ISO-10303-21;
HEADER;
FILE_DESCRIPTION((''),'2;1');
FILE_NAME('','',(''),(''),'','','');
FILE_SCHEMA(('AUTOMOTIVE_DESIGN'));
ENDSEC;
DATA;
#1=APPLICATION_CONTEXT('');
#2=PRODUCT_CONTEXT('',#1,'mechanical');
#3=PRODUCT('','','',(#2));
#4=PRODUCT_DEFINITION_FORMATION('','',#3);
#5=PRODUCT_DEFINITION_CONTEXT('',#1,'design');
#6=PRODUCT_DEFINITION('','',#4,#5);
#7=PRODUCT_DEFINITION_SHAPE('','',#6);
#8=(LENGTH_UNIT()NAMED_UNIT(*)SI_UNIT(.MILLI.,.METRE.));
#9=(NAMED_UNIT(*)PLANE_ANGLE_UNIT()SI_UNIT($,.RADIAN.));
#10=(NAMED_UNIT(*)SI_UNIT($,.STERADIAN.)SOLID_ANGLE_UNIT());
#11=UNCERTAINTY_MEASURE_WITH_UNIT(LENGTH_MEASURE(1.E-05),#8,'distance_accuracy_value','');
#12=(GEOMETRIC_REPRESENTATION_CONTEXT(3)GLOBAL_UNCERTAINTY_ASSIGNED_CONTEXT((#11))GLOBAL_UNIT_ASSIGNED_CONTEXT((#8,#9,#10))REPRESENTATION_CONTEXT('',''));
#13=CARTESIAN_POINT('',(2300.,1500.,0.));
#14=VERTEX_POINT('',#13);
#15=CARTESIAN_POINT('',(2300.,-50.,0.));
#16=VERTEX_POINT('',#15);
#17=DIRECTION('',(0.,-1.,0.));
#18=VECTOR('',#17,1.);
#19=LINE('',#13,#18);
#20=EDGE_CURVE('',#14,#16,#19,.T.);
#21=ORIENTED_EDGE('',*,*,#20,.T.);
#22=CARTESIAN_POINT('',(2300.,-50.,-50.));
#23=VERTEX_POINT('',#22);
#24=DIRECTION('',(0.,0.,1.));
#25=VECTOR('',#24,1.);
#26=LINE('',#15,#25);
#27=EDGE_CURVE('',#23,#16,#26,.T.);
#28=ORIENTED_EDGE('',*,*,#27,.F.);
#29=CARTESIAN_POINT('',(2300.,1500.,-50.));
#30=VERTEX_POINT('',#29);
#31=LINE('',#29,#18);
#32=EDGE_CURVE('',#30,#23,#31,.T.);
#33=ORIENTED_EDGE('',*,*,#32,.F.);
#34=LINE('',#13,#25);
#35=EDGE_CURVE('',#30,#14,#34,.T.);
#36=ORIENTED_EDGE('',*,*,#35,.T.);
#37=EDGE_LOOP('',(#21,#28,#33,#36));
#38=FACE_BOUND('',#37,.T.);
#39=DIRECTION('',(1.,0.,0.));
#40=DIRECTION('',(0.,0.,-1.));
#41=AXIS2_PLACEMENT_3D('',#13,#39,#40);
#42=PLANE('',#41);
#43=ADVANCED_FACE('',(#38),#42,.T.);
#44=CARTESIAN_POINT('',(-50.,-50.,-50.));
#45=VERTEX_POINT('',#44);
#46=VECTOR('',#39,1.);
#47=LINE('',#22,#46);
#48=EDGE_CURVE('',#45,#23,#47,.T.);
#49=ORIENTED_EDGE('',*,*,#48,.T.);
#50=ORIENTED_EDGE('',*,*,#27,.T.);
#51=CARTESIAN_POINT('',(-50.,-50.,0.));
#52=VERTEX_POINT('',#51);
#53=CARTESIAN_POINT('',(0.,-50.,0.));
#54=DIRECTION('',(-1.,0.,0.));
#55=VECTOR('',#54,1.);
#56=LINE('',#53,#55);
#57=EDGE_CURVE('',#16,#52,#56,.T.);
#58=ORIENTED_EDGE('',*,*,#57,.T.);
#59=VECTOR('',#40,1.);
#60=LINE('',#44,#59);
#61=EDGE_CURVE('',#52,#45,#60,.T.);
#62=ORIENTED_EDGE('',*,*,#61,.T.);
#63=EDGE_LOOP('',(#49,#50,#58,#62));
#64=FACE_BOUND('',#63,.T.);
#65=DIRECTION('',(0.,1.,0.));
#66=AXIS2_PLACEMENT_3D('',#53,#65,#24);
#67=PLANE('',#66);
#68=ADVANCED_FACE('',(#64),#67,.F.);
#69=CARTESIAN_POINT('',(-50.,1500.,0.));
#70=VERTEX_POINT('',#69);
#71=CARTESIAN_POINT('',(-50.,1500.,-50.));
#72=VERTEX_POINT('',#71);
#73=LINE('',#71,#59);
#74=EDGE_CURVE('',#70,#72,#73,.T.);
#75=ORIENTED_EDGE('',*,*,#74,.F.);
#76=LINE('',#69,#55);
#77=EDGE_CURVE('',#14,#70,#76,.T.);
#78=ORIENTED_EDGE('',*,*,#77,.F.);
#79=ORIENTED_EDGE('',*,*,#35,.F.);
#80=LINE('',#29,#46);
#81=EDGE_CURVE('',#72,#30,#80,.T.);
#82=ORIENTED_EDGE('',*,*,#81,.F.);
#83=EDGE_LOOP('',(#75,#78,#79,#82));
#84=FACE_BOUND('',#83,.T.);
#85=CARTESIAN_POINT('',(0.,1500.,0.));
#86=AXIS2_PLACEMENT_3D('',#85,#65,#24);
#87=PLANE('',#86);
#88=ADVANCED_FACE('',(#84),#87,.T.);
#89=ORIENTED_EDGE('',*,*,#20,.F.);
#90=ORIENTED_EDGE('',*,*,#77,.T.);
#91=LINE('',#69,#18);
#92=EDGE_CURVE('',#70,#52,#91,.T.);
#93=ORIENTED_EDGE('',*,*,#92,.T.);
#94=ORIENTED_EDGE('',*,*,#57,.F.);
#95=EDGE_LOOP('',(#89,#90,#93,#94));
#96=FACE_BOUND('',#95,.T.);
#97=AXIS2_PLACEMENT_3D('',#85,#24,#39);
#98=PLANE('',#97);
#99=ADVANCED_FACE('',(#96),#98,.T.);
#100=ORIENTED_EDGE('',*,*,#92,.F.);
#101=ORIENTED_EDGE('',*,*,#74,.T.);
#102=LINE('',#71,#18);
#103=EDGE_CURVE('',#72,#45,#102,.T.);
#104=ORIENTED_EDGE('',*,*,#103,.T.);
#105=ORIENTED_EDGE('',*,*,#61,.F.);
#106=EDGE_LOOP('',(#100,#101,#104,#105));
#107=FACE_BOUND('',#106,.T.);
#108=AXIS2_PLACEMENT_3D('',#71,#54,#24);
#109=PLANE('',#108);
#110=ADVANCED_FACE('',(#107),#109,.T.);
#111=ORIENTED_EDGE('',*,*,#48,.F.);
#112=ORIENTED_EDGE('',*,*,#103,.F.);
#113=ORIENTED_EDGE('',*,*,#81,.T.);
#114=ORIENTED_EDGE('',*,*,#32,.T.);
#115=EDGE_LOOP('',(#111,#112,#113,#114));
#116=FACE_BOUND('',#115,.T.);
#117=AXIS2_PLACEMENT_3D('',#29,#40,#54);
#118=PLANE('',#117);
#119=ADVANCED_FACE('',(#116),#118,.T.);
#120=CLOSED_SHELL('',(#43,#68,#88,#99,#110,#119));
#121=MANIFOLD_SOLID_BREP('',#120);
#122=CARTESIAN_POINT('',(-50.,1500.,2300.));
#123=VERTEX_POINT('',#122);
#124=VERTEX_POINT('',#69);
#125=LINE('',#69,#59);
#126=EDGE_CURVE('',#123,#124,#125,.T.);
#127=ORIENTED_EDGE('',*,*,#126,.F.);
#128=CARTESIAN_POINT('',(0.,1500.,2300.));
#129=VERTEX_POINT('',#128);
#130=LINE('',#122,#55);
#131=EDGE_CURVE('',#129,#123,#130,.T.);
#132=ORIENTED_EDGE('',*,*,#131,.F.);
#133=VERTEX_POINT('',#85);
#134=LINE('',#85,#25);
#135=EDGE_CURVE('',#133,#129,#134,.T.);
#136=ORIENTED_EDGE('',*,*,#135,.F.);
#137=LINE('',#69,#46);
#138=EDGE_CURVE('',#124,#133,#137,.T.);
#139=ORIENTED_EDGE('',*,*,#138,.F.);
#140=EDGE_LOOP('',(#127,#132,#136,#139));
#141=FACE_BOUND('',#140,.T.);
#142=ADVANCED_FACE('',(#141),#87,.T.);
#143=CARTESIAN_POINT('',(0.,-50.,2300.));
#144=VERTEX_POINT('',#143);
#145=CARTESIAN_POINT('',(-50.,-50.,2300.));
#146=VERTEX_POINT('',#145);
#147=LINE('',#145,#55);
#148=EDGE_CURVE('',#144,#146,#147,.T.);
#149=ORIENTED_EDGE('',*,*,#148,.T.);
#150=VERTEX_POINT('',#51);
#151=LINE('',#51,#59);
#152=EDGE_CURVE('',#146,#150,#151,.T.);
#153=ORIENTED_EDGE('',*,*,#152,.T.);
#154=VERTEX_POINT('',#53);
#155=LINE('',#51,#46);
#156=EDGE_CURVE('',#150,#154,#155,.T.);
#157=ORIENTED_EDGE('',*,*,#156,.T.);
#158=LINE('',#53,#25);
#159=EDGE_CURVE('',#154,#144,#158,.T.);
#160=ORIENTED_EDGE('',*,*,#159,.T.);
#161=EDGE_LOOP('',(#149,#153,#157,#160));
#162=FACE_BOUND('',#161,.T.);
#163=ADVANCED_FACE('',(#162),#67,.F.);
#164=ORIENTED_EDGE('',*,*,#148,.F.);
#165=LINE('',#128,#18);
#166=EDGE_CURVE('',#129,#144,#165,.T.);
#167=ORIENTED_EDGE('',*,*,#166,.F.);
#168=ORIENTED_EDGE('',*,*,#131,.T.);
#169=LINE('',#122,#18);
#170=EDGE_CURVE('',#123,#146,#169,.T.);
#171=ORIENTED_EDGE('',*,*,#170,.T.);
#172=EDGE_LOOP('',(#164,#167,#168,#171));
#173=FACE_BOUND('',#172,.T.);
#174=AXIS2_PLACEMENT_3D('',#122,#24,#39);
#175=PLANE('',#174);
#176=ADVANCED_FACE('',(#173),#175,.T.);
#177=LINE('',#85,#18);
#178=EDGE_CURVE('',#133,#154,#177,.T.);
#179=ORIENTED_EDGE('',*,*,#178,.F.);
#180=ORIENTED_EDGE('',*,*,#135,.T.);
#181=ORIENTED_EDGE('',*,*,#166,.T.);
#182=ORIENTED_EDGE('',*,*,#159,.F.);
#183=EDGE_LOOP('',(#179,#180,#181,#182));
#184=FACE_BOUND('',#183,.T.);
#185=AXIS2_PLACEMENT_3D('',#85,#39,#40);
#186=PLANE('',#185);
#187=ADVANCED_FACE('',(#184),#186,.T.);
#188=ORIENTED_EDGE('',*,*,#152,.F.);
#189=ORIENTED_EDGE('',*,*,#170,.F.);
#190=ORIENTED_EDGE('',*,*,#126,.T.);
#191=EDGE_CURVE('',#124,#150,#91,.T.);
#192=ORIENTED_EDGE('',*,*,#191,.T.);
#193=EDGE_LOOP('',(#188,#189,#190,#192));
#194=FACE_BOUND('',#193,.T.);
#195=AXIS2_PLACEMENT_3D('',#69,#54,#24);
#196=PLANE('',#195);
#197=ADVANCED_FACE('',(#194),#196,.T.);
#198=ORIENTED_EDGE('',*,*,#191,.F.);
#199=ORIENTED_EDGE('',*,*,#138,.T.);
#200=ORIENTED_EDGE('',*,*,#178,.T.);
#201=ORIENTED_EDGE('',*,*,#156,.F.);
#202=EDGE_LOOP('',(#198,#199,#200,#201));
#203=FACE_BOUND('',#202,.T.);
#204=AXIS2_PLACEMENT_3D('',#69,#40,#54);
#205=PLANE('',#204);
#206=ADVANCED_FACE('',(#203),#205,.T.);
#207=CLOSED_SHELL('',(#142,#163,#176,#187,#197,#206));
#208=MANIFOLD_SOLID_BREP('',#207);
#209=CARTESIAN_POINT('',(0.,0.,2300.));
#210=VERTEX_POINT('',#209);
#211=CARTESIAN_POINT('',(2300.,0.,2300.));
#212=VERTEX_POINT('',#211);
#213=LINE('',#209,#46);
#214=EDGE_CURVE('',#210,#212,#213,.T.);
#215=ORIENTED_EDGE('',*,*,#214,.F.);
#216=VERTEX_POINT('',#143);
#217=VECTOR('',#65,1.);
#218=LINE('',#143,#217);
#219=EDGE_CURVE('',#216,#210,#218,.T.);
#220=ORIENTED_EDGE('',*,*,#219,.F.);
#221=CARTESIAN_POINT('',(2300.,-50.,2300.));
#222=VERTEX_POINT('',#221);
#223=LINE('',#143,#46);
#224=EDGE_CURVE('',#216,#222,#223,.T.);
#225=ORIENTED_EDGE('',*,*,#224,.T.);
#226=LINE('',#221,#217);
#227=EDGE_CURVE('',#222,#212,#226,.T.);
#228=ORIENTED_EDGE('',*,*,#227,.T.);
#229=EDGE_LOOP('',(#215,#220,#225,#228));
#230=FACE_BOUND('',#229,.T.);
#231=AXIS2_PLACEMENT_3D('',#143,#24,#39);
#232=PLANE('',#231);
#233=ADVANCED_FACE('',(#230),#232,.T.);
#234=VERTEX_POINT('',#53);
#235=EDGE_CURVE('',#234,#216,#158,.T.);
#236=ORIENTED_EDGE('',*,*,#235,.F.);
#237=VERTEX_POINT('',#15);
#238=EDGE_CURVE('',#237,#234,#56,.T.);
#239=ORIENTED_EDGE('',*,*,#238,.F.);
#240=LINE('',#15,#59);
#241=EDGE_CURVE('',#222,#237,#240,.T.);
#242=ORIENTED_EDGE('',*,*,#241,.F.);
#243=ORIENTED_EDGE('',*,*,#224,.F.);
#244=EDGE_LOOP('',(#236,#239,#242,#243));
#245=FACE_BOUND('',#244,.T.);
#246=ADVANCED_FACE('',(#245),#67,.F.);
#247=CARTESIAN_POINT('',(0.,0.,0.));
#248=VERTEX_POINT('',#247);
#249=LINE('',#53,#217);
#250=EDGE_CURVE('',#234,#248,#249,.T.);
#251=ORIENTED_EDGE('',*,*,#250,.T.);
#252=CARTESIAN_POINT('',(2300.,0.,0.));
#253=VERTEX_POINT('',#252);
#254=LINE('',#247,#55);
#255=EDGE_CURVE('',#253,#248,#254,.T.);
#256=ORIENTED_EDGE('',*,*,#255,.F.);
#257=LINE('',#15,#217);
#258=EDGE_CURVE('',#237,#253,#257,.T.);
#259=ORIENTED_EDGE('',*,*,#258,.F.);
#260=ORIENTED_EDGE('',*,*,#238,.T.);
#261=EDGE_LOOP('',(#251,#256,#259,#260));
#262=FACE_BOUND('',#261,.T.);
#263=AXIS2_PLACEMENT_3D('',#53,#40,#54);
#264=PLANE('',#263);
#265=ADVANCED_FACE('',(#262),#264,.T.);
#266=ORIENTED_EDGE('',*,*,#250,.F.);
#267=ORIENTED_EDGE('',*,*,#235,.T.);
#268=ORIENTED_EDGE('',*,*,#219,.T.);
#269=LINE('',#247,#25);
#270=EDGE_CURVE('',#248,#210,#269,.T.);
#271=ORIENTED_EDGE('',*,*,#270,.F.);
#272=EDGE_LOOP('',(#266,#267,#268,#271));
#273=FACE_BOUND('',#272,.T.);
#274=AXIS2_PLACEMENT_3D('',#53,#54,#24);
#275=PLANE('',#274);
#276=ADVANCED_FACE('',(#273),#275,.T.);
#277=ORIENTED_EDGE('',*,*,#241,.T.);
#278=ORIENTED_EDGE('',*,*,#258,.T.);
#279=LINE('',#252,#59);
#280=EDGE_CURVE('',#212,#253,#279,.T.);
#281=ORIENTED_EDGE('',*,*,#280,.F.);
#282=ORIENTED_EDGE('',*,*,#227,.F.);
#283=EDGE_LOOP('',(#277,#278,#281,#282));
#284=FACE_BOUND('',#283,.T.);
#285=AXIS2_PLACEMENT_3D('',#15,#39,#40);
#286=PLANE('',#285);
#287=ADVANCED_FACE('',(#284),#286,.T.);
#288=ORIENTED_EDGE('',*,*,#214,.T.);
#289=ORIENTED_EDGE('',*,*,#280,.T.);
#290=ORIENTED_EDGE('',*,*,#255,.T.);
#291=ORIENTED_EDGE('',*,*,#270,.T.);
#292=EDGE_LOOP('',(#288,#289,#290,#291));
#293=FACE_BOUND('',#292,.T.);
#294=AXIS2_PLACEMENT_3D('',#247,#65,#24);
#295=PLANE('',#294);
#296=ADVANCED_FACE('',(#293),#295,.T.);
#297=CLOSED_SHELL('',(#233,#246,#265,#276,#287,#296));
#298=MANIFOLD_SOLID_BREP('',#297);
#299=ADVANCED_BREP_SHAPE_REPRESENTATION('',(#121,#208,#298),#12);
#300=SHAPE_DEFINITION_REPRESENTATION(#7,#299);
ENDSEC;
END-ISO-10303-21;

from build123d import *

# Parameters (mm, degrees)
SKETCH1_W           = 2300
SKETCH1_H           = 2300
BOSS_EXTRUDE1_DEPTH = 50
BOSS_EXTRUDE2_DEPTH = 1550
SKETCH3_W           = 50
SKETCH3_H           = 2300
BOSS_EXTRUDE3_DEPTH = 1550


with BuildPart() as part:
    # Sketch1 → Boss-Extrude1 (new body)
    with BuildSketch(Plane(origin=(0, 0, 0), x_dir=(1, 0, 0), z_dir=(0, 1, 0))):
        with Locations((1150, -1150)):
            Rectangle(SKETCH1_W, SKETCH1_H)
    extrude(amount=-BOSS_EXTRUDE1_DEPTH)


with BuildPart() as body_2:
    # Sketch2 → Boss-Extrude2 (new body)
    with BuildSketch(Plane.XZ.offset(50)):
        Polygon((0, 0), (2300, 0), (2300, -50), (-50, -50), (-50, 0), align=None)
    extrude(amount=-BOSS_EXTRUDE2_DEPTH)


with BuildPart() as body_3:
    # Sketch3 → Boss-Extrude3 (new body)
    with BuildSketch(Plane.XZ.offset(50)):
        with Locations((-25, 1150)):
            Rectangle(SKETCH3_W, SKETCH3_H)
    extrude(amount=-BOSS_EXTRUDE3_DEPTH)


solid = Compound([part.part, body_2.part, body_3.part])
